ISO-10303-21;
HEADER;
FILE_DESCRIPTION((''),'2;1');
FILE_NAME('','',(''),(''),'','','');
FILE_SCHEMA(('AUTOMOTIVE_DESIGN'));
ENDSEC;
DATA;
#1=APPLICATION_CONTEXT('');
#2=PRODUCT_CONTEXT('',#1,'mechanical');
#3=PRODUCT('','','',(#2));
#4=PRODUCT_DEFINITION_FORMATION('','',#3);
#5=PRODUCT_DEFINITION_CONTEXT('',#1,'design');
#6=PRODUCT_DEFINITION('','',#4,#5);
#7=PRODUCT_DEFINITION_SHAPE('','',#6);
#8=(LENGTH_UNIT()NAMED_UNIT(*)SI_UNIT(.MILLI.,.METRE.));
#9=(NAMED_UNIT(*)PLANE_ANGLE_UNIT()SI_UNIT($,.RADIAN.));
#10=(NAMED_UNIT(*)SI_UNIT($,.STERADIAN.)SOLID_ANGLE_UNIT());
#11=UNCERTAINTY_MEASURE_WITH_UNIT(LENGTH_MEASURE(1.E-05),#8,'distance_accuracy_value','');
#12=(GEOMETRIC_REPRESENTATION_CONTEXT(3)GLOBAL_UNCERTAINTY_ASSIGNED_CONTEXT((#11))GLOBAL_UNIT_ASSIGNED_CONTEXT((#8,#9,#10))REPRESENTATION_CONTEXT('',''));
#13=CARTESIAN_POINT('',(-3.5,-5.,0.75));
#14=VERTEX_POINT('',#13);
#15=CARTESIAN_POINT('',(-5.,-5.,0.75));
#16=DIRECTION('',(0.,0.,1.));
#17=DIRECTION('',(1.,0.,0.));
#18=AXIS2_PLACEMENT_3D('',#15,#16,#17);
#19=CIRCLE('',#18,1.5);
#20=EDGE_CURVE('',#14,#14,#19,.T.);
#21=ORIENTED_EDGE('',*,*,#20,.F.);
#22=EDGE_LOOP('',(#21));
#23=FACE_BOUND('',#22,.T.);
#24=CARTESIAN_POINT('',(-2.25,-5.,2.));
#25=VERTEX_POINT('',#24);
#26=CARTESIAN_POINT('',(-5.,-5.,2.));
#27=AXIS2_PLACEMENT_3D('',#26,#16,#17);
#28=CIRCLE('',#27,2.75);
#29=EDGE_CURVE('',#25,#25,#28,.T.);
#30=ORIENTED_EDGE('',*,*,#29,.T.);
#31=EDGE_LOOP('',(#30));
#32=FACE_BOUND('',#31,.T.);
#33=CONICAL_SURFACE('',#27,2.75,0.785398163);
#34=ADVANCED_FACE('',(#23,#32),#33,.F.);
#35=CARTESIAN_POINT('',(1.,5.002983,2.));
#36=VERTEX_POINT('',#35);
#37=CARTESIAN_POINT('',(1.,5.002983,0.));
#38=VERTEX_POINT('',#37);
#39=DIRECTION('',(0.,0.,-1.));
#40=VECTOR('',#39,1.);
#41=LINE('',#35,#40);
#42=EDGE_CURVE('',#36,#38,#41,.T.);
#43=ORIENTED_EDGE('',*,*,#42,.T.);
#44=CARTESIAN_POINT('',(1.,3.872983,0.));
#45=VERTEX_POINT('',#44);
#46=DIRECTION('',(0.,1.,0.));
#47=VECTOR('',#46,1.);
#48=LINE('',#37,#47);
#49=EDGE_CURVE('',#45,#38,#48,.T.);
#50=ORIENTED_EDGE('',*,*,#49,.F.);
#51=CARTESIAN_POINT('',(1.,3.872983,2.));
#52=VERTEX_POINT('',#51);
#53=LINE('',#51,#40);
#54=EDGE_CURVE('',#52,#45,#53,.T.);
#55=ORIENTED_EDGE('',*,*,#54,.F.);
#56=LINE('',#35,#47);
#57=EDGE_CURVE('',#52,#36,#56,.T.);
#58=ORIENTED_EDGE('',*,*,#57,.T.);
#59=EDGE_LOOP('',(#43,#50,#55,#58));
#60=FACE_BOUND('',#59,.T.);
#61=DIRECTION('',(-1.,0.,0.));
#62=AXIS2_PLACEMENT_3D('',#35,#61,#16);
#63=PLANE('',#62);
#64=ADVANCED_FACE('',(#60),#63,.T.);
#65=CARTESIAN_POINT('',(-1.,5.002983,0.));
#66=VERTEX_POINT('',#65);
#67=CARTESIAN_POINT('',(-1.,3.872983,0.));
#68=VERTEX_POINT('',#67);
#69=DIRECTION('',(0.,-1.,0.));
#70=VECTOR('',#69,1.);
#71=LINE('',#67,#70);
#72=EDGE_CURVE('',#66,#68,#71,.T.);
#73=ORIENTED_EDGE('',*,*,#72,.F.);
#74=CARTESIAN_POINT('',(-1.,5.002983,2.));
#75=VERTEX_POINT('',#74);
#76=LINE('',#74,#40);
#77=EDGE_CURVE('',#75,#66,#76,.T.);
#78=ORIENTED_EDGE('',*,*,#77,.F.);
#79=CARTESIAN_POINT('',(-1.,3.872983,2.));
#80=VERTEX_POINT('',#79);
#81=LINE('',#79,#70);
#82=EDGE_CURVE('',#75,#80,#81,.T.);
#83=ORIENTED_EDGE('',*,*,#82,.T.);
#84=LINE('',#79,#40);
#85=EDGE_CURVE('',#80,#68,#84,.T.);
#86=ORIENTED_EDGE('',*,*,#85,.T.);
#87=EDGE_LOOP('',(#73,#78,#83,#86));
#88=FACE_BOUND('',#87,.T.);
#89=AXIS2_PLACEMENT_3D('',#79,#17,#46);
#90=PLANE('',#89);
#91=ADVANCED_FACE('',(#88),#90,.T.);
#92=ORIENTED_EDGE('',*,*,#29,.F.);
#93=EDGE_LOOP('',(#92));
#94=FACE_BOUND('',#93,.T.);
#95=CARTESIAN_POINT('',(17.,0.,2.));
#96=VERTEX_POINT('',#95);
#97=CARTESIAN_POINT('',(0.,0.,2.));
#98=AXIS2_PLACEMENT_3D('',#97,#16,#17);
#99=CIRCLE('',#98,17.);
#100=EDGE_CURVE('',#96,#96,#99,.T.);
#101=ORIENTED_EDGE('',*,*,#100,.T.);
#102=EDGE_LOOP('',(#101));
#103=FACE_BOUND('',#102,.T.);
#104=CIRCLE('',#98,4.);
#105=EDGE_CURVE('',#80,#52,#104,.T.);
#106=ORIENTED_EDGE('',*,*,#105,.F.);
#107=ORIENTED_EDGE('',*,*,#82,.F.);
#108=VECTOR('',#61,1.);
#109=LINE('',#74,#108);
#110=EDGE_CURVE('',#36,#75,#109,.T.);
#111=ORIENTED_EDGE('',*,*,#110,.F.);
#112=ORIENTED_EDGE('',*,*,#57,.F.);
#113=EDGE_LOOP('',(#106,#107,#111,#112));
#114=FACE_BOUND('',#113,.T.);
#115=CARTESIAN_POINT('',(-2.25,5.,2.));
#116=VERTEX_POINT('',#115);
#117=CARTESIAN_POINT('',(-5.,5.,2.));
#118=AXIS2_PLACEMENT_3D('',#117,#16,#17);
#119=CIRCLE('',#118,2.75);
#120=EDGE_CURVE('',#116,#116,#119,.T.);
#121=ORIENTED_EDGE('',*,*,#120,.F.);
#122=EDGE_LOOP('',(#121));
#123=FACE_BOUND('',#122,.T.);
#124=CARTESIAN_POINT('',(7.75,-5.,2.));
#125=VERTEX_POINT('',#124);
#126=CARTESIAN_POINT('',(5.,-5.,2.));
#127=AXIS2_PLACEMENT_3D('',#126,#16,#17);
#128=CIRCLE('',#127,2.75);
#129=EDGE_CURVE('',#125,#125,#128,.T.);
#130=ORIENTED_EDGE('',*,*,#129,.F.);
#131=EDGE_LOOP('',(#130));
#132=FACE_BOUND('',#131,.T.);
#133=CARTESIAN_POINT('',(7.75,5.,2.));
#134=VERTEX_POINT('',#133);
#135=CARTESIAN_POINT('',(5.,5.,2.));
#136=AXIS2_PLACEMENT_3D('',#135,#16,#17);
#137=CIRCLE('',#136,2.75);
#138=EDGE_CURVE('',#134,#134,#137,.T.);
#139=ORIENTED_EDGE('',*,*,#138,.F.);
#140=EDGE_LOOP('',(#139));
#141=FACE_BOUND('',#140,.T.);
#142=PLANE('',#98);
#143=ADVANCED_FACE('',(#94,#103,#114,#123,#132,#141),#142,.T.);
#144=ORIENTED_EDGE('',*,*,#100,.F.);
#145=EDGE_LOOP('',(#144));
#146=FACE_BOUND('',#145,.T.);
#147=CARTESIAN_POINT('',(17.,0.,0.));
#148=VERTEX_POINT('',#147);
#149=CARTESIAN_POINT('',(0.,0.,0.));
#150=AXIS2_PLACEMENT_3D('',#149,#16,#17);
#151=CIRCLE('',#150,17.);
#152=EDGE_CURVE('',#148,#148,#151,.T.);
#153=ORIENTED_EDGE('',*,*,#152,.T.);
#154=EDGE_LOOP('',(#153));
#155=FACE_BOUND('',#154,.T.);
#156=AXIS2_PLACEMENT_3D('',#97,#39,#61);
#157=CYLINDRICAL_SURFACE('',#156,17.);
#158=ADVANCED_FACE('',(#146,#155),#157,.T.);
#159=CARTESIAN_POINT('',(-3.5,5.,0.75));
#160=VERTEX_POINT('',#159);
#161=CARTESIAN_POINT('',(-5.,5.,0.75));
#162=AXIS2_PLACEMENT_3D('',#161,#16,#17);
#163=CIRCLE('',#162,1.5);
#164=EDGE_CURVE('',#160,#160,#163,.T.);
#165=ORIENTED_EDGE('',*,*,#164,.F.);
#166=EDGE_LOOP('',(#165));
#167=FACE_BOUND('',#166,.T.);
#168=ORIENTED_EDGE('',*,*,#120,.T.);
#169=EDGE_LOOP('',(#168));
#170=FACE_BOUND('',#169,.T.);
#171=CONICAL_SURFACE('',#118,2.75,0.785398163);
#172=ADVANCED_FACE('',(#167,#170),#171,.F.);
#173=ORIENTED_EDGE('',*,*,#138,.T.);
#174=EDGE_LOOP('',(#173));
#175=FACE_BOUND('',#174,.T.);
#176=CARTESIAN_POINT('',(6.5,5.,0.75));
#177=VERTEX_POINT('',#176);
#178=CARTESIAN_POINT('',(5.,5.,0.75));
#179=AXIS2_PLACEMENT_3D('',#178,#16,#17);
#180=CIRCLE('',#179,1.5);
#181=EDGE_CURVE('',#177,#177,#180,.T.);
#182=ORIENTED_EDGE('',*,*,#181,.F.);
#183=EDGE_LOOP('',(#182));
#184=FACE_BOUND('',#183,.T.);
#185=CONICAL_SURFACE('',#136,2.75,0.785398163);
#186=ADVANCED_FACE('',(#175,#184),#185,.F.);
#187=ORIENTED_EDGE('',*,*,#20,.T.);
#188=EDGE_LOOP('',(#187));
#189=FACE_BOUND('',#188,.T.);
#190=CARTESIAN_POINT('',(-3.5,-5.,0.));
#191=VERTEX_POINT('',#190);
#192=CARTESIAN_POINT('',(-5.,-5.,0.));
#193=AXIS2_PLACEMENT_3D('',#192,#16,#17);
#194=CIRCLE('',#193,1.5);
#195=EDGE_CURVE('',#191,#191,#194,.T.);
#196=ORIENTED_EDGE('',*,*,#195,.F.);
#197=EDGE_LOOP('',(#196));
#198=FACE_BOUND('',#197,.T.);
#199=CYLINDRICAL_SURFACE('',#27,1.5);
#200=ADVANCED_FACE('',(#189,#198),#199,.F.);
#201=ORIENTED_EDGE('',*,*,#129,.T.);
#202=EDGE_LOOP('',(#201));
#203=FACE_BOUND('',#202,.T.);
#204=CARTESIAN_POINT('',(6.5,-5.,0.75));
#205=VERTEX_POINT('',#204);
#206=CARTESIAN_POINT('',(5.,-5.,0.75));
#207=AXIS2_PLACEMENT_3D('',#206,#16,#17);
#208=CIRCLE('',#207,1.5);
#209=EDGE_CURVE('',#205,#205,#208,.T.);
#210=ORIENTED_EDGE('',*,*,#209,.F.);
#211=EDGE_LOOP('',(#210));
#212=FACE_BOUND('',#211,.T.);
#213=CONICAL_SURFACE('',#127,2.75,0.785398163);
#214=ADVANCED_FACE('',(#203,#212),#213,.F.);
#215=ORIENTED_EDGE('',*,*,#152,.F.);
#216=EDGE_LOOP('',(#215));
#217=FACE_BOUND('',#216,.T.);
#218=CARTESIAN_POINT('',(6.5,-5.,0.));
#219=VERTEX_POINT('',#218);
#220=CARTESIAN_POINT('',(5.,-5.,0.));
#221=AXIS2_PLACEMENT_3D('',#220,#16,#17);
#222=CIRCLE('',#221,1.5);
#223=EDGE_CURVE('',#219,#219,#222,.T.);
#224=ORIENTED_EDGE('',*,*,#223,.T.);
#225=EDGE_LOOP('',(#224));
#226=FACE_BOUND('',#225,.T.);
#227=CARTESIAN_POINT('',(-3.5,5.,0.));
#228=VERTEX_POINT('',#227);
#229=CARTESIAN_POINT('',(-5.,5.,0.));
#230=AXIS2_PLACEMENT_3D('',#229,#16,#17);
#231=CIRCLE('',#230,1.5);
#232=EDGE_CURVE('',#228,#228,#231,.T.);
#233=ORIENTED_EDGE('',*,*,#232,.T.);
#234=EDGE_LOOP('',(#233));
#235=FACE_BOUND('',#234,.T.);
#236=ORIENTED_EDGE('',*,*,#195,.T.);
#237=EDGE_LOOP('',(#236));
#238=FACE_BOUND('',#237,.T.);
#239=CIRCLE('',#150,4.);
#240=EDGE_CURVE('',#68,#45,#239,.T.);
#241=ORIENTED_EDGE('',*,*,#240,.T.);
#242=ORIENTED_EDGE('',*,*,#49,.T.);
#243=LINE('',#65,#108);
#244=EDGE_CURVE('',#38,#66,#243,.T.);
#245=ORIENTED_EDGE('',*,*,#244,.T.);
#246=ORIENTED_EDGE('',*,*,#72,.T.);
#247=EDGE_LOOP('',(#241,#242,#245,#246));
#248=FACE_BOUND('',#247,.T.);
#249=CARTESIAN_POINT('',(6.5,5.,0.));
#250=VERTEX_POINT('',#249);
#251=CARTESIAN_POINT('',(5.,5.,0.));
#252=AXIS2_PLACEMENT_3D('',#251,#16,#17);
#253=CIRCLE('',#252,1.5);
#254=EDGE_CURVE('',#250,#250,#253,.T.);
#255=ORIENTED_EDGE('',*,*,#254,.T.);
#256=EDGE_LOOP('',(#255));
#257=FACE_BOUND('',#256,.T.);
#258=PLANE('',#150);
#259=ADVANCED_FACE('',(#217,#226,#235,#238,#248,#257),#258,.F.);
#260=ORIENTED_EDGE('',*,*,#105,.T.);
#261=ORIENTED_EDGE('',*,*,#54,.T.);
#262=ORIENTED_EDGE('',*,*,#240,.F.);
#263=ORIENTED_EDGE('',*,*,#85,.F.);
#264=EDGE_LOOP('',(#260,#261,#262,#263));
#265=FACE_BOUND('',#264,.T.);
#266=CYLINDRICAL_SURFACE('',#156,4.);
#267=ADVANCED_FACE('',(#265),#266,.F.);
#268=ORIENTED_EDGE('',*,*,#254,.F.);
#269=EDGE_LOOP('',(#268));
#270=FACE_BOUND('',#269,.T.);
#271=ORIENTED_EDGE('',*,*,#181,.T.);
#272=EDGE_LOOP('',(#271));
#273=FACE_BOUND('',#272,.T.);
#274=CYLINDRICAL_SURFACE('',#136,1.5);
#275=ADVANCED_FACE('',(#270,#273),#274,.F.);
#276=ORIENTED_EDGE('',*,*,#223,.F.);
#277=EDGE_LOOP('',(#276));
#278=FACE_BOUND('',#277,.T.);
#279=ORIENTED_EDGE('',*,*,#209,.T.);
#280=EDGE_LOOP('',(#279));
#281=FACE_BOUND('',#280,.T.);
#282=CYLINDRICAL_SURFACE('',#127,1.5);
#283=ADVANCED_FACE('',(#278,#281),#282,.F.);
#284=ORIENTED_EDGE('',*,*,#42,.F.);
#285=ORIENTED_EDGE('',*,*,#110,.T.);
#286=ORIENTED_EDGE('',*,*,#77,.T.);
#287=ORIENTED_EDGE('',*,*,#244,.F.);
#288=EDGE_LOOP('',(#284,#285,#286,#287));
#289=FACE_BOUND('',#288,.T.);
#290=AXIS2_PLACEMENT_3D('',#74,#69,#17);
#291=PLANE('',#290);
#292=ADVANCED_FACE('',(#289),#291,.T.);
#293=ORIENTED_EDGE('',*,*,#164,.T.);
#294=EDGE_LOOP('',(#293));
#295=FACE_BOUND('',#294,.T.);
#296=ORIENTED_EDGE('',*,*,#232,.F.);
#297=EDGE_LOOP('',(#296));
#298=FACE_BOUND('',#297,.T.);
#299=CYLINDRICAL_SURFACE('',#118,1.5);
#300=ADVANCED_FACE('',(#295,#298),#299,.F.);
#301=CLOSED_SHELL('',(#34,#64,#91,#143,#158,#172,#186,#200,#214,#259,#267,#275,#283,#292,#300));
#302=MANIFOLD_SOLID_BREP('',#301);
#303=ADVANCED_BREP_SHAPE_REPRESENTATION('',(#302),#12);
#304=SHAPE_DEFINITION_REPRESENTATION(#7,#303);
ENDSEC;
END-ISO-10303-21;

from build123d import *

# Parameters (mm, degrees)
SKETCH1_R           = 17
BOSS_EXTRUDE1_DEPTH = 2
CIRPATTERN1_COUNT   = 4


with BuildPart() as part:
    # Sketch1 → Boss-Extrude1 (new body)
    with BuildSketch(Plane.XY):
        Circle(SKETCH1_R)
        with BuildLine():
            Line((-1, 3.872983346), (-1, 5.002983346))
            Line((-1, 5.002983346), (1, 5.002983346))
            Line((1, 5.002983346), (1, 3.872983346))
            ThreePointArc((1, 3.872983346), (0, -4), (-1, 3.872983346))
        make_face(mode=Mode.SUBTRACT)
    extrude(amount=BOSS_EXTRUDE1_DEPTH)

    # Sketch4 → CSK for M2.5 Flat Head Machine Screw1 (revolve, cut)
    with BuildSketch(Plane(origin=(5, 5, 2), x_dir=(0, -1, 0), z_dir=(1, 0, 0))):
        Polygon((0, 0), (0, 2), (1.5, 2), (1.5, 1.25), (2.75, 0), align=None)
    csk_for_m2_5_flat_head_machine_screw1 = revolve(axis=Axis((5, 5, 8.35), (0, 0, -1)), mode=Mode.SUBTRACT)

    # CirPattern1: CSK for M2.5 Flat Head Machine Screw1 ×4 about axis
    cirpattern1_axis = Axis((0, 0, 0), (0, 0, 1))
    for i in range(1, CIRPATTERN1_COUNT):
        add(csk_for_m2_5_flat_head_machine_screw1.rotate(cirpattern1_axis, i * 360 / CIRPATTERN1_COUNT), mode=Mode.SUBTRACT)


solid = part.part
